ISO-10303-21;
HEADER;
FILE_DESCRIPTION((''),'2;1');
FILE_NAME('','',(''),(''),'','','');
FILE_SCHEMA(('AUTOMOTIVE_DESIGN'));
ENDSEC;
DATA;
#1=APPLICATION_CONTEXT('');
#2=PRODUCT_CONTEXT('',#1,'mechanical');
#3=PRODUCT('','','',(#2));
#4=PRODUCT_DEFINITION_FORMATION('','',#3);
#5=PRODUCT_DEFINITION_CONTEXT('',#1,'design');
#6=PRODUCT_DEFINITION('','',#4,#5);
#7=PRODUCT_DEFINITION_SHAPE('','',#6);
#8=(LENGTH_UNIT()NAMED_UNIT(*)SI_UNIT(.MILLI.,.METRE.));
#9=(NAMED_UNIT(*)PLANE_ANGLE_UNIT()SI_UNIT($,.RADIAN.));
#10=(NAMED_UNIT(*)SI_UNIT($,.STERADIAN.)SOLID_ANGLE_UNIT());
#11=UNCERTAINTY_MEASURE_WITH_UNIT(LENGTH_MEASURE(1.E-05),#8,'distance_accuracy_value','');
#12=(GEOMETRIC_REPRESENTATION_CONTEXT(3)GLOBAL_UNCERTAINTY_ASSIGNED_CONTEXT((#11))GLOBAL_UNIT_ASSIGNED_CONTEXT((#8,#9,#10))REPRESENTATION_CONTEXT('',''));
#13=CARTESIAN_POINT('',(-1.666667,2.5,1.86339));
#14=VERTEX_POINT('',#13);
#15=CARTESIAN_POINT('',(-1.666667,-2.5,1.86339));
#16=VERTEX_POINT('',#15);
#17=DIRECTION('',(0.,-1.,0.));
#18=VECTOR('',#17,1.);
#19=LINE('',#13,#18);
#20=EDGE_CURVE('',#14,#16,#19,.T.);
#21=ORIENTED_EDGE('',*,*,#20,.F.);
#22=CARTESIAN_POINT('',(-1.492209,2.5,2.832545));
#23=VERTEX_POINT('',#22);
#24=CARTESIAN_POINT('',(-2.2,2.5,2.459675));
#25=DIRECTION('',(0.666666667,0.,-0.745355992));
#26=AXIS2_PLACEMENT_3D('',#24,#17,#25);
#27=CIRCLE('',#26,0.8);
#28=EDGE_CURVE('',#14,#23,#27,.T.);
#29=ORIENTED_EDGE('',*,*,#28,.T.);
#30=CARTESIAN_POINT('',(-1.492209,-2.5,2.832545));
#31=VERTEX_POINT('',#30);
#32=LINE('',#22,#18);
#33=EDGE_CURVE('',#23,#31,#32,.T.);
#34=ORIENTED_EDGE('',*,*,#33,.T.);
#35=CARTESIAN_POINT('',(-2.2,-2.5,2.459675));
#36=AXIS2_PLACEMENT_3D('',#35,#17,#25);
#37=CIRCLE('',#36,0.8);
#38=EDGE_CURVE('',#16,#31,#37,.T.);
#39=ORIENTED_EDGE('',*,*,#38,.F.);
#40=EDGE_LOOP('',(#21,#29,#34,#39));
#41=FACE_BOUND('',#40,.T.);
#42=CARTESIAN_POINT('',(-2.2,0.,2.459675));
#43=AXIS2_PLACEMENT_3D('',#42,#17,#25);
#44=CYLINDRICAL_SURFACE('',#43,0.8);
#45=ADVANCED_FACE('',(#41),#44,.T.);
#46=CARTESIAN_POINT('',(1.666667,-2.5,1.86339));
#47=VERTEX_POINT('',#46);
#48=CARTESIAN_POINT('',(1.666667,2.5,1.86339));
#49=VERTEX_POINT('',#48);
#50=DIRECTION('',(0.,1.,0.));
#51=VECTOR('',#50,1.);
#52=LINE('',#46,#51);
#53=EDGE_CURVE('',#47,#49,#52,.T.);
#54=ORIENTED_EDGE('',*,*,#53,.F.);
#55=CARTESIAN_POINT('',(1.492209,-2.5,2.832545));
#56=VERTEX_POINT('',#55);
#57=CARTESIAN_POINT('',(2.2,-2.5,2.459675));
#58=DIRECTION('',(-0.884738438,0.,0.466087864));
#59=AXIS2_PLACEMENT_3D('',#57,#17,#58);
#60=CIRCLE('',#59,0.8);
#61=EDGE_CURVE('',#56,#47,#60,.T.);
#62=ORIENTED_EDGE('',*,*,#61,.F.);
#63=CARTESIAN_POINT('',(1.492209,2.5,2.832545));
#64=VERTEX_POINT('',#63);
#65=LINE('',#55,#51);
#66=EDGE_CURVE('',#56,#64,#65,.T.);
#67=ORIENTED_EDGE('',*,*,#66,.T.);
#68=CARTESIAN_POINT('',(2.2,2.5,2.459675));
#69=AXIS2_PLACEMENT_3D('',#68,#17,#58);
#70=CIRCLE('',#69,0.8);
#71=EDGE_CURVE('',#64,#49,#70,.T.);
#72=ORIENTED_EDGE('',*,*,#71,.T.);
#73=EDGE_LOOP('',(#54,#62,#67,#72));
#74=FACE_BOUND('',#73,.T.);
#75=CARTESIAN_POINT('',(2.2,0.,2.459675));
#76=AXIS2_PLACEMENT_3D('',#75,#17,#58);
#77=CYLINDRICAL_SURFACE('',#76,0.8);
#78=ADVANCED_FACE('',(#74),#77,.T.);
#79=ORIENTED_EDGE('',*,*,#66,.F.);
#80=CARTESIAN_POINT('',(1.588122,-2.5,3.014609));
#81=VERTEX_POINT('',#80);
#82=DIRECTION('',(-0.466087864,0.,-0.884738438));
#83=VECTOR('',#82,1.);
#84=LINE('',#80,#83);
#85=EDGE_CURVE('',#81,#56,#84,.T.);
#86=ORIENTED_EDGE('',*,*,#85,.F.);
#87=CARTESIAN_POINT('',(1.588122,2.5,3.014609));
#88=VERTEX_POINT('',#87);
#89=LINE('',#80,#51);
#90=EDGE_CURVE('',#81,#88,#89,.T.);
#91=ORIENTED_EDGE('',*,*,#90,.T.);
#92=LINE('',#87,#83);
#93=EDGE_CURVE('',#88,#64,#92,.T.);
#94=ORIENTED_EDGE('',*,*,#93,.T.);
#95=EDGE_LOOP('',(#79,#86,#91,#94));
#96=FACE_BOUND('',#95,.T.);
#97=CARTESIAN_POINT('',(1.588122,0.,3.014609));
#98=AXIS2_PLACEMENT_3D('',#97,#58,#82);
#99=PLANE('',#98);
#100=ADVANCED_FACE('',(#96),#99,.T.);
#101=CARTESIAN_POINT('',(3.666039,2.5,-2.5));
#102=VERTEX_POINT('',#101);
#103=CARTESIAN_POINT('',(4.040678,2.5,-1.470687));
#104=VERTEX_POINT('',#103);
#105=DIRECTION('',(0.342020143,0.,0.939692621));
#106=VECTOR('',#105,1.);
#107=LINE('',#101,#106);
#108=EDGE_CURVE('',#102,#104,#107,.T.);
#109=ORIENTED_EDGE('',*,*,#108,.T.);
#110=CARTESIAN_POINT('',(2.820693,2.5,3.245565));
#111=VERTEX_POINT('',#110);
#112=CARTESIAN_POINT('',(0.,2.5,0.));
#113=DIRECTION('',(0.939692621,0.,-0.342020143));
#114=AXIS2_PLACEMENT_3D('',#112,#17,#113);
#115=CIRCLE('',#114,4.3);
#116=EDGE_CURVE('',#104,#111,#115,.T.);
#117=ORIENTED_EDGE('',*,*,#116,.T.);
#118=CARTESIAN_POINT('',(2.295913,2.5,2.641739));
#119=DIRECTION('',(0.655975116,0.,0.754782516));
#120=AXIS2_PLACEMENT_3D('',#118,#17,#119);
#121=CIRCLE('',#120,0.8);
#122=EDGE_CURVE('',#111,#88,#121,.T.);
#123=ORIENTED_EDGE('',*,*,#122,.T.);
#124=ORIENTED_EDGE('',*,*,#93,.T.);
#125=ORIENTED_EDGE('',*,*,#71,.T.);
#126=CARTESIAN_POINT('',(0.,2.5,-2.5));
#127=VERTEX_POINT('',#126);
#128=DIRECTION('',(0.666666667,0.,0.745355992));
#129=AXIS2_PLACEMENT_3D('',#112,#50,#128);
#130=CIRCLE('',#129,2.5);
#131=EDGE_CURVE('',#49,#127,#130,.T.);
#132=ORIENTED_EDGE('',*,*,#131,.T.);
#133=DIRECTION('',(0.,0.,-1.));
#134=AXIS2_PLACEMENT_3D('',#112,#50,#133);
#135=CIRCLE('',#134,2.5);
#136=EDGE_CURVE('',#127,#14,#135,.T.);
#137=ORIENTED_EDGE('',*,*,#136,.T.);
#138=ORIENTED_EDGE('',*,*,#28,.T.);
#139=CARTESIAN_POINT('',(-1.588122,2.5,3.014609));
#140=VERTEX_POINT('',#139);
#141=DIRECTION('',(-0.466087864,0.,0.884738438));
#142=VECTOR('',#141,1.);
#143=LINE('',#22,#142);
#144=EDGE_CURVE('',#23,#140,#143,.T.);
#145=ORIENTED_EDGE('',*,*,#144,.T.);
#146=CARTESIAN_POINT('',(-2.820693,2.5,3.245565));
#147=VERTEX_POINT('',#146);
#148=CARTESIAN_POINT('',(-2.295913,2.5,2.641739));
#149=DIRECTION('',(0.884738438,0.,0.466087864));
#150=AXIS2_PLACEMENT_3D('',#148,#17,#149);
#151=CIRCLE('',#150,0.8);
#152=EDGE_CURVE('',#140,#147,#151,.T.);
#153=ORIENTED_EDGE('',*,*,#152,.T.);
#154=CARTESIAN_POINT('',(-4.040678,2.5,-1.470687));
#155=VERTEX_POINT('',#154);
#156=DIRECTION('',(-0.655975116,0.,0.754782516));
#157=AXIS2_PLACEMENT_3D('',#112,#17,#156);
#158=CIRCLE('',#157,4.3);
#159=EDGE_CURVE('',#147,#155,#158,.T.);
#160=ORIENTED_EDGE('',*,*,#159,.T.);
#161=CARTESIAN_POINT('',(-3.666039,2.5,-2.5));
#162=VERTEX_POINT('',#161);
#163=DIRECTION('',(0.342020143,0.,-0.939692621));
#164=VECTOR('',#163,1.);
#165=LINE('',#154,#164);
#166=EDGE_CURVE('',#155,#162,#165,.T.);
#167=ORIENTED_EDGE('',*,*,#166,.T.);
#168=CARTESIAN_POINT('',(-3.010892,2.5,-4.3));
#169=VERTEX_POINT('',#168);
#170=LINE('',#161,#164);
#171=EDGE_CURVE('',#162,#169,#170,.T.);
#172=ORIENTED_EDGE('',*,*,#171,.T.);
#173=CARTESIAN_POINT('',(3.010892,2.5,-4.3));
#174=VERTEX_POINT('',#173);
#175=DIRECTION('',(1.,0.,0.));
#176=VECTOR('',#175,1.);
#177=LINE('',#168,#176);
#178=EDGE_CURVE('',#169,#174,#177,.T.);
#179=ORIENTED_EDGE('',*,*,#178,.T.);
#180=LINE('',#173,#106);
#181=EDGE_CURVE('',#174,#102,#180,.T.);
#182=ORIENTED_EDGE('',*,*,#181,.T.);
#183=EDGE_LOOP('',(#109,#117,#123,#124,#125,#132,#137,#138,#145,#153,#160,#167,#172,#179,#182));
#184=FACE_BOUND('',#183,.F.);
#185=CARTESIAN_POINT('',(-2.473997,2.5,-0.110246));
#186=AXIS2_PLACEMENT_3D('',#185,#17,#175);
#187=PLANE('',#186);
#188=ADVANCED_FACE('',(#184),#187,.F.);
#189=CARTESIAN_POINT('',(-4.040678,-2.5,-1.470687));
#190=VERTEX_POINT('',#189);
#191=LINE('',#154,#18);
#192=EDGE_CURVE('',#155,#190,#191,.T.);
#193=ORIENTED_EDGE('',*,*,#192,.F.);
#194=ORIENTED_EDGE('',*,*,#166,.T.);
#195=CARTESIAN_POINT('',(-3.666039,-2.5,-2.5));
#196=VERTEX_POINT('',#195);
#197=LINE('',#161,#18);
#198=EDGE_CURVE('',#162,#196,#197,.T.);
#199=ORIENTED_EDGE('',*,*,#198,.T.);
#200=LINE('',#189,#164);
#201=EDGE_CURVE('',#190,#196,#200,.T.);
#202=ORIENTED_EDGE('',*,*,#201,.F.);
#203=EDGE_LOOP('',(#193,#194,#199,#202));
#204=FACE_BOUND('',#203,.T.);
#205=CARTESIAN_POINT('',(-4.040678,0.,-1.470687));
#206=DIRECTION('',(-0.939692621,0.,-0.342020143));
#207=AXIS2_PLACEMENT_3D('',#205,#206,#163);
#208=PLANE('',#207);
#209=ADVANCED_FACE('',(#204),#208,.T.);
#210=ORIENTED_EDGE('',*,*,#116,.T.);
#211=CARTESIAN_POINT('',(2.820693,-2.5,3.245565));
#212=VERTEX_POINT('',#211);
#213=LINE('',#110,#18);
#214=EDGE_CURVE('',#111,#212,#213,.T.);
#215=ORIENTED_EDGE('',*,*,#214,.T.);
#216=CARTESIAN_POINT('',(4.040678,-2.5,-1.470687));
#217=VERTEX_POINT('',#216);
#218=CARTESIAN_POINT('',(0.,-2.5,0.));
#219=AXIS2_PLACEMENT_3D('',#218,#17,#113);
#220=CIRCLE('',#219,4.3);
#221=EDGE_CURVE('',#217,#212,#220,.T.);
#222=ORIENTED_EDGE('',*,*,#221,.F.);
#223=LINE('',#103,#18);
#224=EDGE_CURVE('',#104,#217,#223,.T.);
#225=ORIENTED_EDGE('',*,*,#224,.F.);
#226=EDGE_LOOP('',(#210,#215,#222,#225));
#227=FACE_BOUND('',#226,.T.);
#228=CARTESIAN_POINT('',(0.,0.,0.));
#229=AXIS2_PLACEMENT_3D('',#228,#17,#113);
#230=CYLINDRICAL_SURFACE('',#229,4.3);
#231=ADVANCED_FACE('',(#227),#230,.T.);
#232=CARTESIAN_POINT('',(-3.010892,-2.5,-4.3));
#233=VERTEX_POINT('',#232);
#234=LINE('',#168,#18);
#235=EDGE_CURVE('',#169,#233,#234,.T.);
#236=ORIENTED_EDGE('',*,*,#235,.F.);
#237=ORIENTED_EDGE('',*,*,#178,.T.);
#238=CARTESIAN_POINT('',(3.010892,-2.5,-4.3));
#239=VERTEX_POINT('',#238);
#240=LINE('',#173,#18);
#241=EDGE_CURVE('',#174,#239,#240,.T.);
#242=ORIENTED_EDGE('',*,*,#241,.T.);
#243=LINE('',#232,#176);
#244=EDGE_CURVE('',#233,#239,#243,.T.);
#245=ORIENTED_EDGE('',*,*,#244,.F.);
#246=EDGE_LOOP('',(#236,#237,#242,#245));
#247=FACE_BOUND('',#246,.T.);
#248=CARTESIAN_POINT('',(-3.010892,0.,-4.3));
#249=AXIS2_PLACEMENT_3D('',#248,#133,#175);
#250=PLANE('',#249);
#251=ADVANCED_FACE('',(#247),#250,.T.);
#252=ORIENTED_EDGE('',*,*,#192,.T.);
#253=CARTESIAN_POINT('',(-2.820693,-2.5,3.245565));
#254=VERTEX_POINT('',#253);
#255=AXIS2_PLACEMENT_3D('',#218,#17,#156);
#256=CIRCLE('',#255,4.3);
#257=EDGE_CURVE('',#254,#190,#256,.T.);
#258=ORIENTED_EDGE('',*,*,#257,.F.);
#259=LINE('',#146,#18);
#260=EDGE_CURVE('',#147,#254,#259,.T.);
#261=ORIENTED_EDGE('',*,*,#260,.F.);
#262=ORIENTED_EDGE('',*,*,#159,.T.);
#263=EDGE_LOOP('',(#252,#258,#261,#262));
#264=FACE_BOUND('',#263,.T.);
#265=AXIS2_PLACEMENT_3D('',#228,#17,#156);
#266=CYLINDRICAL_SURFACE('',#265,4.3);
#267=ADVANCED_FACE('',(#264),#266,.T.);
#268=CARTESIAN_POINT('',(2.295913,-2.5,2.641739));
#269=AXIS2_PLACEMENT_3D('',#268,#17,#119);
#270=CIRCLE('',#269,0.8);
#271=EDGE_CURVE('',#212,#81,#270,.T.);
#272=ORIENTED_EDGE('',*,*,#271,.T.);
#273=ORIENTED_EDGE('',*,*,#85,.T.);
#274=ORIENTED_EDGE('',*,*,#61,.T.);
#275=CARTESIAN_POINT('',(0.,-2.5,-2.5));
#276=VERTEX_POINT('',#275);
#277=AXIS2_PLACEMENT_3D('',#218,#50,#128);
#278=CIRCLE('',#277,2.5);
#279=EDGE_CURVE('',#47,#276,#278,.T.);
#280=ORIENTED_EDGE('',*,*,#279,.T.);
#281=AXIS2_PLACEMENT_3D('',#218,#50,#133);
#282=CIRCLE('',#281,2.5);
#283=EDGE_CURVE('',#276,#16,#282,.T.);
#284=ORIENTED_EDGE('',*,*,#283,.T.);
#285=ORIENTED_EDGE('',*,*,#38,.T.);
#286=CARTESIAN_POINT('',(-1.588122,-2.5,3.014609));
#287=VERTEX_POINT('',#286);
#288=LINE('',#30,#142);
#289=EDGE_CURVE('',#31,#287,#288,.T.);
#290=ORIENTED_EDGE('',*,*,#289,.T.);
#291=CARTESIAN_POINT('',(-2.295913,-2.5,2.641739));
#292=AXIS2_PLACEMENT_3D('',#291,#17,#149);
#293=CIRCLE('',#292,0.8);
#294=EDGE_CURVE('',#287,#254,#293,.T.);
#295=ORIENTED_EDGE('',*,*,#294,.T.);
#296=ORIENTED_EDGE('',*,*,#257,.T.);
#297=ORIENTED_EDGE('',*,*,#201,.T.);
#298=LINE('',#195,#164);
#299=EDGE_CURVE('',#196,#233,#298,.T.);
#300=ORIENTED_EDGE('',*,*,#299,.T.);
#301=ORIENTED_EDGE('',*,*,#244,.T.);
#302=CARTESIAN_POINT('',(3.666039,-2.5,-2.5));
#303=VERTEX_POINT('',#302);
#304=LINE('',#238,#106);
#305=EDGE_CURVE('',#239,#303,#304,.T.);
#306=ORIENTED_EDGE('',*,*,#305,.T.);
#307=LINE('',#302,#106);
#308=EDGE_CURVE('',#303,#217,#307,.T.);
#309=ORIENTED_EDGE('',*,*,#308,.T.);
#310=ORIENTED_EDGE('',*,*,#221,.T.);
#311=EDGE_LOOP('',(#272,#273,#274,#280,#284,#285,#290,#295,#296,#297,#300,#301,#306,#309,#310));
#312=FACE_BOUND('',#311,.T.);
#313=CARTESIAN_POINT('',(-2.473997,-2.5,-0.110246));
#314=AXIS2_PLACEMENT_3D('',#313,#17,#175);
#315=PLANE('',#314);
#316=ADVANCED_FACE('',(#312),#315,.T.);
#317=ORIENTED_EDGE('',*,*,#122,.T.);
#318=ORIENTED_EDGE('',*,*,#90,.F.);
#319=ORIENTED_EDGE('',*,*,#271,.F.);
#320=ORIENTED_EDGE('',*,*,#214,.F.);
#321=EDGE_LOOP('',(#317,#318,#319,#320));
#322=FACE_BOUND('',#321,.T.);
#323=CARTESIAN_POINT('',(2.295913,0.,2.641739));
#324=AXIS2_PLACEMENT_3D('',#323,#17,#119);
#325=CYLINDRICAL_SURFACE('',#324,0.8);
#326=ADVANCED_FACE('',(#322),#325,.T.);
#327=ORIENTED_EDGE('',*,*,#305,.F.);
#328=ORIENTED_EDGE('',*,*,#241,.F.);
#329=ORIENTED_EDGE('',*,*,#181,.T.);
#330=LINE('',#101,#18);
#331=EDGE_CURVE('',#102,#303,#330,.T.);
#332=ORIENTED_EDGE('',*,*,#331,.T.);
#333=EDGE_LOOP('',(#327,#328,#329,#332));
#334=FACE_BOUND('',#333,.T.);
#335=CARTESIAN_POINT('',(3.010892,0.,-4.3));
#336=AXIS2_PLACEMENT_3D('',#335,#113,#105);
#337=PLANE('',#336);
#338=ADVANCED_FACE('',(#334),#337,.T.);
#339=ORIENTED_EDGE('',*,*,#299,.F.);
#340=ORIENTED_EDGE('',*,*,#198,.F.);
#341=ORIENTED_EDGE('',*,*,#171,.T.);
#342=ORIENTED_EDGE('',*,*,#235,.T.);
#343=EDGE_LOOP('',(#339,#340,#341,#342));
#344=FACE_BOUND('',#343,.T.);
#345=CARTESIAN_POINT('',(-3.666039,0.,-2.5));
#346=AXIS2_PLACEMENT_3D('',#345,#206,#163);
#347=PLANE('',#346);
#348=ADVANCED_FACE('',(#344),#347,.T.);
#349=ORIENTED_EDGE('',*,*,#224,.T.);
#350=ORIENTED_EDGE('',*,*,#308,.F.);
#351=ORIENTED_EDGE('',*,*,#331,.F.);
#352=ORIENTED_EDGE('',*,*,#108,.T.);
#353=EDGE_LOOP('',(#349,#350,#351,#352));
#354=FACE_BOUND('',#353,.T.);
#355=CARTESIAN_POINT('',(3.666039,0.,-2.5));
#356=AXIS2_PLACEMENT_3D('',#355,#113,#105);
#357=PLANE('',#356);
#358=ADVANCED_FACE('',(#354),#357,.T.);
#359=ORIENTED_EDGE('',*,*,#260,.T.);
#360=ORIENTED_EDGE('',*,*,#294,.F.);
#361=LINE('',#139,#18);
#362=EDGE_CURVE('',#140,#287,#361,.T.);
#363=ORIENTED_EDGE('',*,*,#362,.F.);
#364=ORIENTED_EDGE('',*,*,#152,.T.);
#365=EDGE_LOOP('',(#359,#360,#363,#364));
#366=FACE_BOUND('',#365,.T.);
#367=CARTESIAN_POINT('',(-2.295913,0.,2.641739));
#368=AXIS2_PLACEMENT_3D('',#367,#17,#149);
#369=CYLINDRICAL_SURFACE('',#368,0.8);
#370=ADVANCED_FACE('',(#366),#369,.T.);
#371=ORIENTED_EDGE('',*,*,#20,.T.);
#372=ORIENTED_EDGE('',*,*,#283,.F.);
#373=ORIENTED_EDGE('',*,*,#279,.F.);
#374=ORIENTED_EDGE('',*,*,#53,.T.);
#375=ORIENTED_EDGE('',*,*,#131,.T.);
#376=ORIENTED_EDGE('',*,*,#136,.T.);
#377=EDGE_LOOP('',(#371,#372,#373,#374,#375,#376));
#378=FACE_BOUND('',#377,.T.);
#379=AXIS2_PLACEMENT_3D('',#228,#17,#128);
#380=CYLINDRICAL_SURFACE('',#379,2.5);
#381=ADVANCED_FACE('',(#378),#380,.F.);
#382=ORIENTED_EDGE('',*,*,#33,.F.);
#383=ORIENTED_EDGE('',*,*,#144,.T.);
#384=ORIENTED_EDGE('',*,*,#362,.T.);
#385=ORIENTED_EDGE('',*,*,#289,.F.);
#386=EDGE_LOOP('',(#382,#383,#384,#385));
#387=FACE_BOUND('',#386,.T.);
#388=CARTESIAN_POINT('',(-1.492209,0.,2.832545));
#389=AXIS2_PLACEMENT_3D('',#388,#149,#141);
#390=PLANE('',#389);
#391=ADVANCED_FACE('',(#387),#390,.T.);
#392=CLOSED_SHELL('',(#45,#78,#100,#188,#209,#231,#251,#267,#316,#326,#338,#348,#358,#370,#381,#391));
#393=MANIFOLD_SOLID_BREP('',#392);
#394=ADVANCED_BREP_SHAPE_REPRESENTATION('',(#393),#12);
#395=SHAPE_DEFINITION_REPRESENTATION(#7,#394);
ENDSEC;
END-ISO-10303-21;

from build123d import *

# Parameters (mm, degrees)
F1_DEPTH = 2.5


with BuildPart() as f1:
    # F0 (on Front) → F1 (new body, symmetric)
    with BuildSketch(Plane.XZ):
        with BuildLine():
            ThreePointArc((0, -2.5), (-2.3354308974, -0.8920552244), (-1.6666666667, 1.8633899812))
            ThreePointArc((-1.6666666667, 1.8633899812), (-1.4126546867, 2.3179448999), (-1.49220925, 2.8325450666))
            Line((-1.49220925, 2.8325450666), (-1.5881221571, 3.0146090981))
            ThreePointArc((-1.5881221571, 3.0146090981), (-2.1485753305, 3.4280540352), (-2.8206930002, 3.2455648197))
            ThreePointArc((-2.8206930002, 3.2455648197), (-4.1629749971, 1.0768654389), (-4.0406782694, -1.4706866163))
            ThreePointArc((-4.0406782694, -1.4706866163), (-3.8045948422, -2.0037609855), (-3.4985711369, -2.5))
            Line((-3.4985711369, -2.5), (0, -2.5))
        make_face()
        with BuildLine():
            ThreePointArc((1.6666666667, 1.8633899812), (2.3354308974, -0.8920552244), (0, -2.5))
            Line((0, -2.5), (3.4985711369, -2.5))
            ThreePointArc((3.4985711369, -2.5), (3.8045948422, -2.0037609855), (4.0406782694, -1.4706866163))
            ThreePointArc((4.0406782694, -1.4706866163), (4.1629749971, 1.0768654389), (2.8206930002, 3.2455648197))
            ThreePointArc((2.8206930002, 3.2455648197), (2.1485753305, 3.4280540352), (1.5881221571, 3.0146090981))
            Line((1.5881221571, 3.0146090981), (1.49220925, 2.8325450666))
            ThreePointArc((1.49220925, 2.8325450666), (1.4126546867, 2.3179448999), (1.6666666667, 1.8633899812))
        make_face()
        with BuildLine():
            Line((-3.666038836, -2.5), (-3.4985711369, -2.5))
            ThreePointArc((-3.4985711369, -2.5), (-3.8045948422, -2.0037609855), (-4.0406782694, -1.4706866163))
            Line((-4.0406782694, -1.4706866163), (-3.666038836, -2.5))
        make_face()
        with BuildLine():
            ThreePointArc((0, -4.3), (-1.9672315573, -3.8236108589), (-3.4985711369, -2.5))
            Line((-3.4985711369, -2.5), (-3.666038836, -2.5))
            Line((-3.666038836, -2.5), (-3.0108924143, -4.3))
            Line((-3.0108924143, -4.3), (0, -4.3))
        make_face()
        with BuildLine():
            Line((3.666038836, -2.5), (3.4985711369, -2.5))
            ThreePointArc((3.4985711369, -2.5), (1.9672315573, -3.8236108589), (0, -4.3))
            Line((0, -4.3), (3.0108924143, -4.3))
            Line((3.0108924143, -4.3), (3.666038836, -2.5))
        make_face()
        with BuildLine():
            Line((3.4985711369, -2.5), (0, -2.5))
            Line((0, -2.5), (-3.4985711369, -2.5))
            ThreePointArc((-3.4985711369, -2.5), (-1.9672315573, -3.8236108589), (0, -4.3))
            ThreePointArc((0, -4.3), (1.9672315573, -3.8236108589), (3.4985711369, -2.5))
        make_face()
        with BuildLine():
            ThreePointArc((0, -4.3), (-1.9672315573, -3.8236108589), (-3.4985711369, -2.5))
            Line((-3.4985711369, -2.5), (-3.666038836, -2.5))
            Line((-3.666038836, -2.5), (-3.0108924143, -4.3))
            Line((-3.0108924143, -4.3), (0, -4.3))
        make_face()
        with BuildLine():
            ThreePointArc((4.0406782694, -1.4706866163), (3.8045948422, -2.0037609855), (3.4985711369, -2.5))
            Line((3.4985711369, -2.5), (3.666038836, -2.5))
            Line((3.666038836, -2.5), (4.0406782694, -1.4706866163))
        make_face()
    extrude(amount=F1_DEPTH, both=True)


solid = f1.part
